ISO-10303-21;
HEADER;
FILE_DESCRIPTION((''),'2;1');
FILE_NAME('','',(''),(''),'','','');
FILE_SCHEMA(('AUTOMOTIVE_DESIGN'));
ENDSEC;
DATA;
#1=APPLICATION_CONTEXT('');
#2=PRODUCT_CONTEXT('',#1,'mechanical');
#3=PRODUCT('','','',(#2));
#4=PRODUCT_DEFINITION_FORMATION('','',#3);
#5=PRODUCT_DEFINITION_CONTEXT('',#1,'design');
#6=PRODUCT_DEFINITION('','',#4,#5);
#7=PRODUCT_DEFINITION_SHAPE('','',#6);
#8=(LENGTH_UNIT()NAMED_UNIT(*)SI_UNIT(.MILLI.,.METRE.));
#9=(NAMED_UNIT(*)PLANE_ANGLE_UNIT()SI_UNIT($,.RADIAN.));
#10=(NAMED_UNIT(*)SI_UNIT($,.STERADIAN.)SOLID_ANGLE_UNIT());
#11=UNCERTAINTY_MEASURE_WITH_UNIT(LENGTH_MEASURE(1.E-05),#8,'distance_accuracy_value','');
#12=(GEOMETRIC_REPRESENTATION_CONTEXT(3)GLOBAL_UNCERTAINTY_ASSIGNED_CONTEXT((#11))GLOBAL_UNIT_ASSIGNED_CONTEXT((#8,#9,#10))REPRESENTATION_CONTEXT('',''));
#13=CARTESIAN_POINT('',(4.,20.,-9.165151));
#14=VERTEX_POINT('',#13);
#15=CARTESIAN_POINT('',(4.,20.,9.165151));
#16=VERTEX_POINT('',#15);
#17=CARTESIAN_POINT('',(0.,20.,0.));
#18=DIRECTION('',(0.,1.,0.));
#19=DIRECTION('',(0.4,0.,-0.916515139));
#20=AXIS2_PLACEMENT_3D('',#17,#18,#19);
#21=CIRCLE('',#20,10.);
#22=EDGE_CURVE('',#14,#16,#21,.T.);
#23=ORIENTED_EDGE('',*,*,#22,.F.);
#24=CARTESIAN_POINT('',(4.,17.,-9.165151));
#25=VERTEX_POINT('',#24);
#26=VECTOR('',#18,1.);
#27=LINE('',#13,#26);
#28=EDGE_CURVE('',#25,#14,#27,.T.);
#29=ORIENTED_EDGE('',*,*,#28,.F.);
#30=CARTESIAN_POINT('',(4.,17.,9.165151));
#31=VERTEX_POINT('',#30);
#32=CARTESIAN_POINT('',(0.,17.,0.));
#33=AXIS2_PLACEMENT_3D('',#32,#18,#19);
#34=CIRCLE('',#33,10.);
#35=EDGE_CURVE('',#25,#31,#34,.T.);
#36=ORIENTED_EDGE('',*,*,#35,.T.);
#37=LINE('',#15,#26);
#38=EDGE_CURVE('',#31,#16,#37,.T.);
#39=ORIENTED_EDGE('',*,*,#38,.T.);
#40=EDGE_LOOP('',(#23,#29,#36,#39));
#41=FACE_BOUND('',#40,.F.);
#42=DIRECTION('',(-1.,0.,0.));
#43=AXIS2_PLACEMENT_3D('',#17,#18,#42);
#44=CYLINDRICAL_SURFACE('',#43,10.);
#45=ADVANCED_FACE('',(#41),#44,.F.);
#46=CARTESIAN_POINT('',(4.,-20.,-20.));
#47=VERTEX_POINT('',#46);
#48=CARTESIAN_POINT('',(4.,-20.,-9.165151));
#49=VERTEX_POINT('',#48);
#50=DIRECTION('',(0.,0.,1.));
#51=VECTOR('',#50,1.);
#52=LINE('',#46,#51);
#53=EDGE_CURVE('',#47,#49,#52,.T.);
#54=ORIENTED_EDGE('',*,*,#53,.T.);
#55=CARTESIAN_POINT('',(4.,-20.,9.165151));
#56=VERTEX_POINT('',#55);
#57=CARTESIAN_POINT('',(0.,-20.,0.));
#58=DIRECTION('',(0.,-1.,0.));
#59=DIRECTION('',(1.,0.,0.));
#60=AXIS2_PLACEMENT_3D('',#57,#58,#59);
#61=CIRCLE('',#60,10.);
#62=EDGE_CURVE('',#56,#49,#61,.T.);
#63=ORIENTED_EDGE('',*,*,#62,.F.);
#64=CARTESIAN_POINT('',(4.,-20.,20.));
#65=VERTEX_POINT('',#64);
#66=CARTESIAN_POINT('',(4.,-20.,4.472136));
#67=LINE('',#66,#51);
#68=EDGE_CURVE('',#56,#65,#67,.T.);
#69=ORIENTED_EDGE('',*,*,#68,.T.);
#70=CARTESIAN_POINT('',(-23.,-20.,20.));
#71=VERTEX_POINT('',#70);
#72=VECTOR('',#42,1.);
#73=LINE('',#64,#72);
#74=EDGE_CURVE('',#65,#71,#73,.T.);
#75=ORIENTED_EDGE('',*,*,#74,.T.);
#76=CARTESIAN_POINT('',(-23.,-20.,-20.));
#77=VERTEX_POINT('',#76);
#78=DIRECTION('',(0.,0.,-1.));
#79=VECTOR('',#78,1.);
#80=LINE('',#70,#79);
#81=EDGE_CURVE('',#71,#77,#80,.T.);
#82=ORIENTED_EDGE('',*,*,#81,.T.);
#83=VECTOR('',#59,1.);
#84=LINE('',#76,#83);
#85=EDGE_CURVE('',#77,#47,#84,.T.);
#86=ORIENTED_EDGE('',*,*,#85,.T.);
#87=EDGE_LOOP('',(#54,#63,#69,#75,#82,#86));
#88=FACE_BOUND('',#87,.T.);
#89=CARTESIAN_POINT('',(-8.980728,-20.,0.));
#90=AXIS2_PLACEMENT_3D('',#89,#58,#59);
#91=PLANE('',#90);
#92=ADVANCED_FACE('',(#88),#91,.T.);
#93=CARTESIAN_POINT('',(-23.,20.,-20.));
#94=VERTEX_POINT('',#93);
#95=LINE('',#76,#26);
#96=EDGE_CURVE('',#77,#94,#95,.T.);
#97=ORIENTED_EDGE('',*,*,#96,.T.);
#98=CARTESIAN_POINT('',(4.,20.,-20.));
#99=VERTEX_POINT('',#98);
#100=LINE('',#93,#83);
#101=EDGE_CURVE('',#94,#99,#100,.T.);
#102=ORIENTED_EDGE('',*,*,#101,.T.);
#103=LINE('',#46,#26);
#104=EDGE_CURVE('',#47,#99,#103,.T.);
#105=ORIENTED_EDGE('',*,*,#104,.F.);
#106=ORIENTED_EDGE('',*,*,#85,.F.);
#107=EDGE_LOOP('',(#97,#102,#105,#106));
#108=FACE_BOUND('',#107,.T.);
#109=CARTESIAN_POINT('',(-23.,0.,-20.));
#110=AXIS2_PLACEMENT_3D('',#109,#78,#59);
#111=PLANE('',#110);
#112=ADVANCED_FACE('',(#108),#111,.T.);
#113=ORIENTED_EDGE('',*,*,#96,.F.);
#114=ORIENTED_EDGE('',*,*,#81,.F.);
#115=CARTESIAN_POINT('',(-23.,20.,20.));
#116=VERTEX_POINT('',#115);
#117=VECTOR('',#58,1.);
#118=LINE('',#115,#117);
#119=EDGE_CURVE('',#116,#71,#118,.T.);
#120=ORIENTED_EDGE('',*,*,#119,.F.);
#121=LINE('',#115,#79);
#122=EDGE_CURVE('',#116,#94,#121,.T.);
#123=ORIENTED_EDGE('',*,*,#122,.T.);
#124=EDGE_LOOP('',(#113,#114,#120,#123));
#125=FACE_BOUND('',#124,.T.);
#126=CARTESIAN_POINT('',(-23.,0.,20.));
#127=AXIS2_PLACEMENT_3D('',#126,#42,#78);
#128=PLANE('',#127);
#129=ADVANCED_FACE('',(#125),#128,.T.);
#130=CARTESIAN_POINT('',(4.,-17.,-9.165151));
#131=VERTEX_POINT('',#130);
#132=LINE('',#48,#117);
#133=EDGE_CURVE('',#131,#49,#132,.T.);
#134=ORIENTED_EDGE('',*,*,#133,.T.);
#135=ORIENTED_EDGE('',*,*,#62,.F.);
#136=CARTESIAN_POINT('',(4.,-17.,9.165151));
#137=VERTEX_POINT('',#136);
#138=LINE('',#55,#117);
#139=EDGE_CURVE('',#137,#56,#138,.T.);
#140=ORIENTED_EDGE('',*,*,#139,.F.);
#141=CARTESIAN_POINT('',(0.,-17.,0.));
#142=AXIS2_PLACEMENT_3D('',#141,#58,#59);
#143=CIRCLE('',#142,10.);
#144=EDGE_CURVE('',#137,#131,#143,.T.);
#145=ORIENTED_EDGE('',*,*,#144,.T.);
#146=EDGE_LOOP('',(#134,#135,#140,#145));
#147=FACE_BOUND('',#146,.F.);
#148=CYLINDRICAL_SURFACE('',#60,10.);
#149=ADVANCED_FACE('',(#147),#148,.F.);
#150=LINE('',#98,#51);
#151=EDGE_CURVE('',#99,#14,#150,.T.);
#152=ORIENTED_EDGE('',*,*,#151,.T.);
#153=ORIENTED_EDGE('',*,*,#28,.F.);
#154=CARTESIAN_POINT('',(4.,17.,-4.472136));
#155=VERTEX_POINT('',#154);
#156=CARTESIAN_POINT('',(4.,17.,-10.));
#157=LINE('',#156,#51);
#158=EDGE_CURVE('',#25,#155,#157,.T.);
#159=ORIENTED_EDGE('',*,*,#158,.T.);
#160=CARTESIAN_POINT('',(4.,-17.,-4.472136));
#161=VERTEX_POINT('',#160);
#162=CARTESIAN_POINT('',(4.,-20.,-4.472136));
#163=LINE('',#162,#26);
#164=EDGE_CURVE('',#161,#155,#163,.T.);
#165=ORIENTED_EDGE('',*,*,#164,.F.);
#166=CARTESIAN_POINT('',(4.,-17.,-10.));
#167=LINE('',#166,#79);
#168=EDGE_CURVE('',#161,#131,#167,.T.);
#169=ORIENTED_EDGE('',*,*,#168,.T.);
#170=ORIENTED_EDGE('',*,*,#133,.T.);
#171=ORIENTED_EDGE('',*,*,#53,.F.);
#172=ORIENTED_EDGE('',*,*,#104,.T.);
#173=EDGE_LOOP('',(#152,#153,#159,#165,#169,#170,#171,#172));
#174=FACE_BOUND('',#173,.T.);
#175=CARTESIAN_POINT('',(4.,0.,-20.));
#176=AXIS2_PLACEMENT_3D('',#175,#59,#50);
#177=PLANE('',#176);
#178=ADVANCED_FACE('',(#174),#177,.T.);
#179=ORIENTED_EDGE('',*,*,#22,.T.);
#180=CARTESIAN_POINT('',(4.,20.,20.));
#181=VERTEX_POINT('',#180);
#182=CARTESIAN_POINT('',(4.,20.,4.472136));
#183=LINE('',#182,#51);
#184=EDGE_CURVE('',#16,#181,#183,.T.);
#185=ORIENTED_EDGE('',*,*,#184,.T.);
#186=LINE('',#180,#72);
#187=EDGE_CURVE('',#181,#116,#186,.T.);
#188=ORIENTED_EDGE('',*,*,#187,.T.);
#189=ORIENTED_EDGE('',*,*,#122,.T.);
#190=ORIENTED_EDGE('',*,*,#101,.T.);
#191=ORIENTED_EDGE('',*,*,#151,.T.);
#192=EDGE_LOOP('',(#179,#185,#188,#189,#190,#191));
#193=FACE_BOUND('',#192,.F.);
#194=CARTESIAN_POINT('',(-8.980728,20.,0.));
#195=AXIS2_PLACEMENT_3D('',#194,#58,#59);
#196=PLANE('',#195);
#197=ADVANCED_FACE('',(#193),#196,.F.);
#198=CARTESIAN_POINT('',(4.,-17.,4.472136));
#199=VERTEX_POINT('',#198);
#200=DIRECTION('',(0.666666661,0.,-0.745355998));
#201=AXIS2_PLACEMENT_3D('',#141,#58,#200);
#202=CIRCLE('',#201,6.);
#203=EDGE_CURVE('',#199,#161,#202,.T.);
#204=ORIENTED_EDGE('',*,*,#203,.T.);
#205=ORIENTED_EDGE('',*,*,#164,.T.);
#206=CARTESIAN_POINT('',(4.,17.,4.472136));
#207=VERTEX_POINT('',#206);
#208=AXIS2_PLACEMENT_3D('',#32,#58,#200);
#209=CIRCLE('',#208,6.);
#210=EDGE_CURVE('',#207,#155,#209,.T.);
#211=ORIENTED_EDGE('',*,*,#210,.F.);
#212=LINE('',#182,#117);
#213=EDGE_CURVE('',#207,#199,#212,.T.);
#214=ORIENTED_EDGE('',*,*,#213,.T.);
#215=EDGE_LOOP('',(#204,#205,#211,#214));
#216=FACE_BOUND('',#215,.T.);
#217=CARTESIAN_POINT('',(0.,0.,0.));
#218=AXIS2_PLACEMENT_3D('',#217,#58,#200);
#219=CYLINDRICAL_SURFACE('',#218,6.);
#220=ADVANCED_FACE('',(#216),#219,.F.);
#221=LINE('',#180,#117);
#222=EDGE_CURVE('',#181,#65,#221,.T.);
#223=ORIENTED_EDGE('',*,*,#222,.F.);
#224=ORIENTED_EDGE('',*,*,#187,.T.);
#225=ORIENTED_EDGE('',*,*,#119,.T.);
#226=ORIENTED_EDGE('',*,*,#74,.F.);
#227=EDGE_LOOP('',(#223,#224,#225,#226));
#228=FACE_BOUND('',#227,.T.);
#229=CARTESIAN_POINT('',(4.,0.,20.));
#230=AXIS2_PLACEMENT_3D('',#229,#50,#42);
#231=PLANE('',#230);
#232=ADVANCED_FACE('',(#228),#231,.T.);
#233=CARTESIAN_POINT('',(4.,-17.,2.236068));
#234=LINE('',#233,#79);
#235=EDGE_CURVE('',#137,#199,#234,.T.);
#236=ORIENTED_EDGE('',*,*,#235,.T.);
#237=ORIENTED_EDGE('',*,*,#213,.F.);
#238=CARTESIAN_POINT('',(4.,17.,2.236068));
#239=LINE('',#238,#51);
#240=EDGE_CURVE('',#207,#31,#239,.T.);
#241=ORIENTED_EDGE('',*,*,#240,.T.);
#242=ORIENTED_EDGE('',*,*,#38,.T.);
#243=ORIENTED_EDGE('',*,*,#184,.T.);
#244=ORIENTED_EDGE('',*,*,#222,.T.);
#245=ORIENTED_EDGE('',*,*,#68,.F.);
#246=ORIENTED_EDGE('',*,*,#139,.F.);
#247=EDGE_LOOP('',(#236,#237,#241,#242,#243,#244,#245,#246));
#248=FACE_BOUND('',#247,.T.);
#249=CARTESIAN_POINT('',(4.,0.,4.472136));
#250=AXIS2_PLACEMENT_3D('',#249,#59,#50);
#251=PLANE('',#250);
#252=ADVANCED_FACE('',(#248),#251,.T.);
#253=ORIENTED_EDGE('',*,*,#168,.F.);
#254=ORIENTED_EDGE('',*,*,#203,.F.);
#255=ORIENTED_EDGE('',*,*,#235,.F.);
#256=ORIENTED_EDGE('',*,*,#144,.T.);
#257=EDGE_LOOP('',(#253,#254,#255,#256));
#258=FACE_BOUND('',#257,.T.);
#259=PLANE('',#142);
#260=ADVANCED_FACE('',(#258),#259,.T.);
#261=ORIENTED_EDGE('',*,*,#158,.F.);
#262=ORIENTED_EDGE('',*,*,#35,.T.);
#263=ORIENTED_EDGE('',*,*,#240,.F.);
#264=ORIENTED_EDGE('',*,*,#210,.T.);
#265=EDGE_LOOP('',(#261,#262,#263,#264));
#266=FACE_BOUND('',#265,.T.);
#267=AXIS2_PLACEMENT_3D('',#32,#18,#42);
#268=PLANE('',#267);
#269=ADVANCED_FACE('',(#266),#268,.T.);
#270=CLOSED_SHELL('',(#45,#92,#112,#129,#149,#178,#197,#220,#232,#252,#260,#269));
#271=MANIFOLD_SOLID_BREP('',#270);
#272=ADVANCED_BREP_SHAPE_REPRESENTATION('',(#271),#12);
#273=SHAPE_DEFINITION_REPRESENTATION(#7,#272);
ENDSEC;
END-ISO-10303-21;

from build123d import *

# Parameters (mm, degrees)
F1_DEPTH      = 20
F1_DEPTH_BACK = 20
F2_R          = 10
F3_DEPTH      = 3
F4_R          = 10
F5_DEPTH      = 3


with BuildPart() as f1:
    # F0 (on Front) → F1 (new body, two sides)
    with BuildSketch(Plane.XZ) as f1_sk:
        with BuildLine():
            ThreePointArc((4, -4.472136), (-6, 0), (4, 4.472136))
            Line((4, 4.472136), (4, 20))
            Line((4, 20), (-23, 20))
            Line((-23, 20), (-23, -20))
            Line((-23, -20), (4, -20))
            Line((4, -20), (4, -4.472136))
        make_face()
    extrude(amount=F1_DEPTH)
    extrude(f1_sk.sketch, amount=-F1_DEPTH_BACK)

    # F2 (on face) → F3 (cut)
    with BuildSketch(Plane(origin=(0, 20, 0), x_dir=(-1, 0, 0), z_dir=(0, 1, 0))):
        Circle(F2_R)
    extrude(amount=-F3_DEPTH, mode=Mode.SUBTRACT)

    # F4 (on face) → F5 (cut)
    with BuildSketch(Plane.XZ.offset(20)):
        Circle(F4_R)
    extrude(amount=-F5_DEPTH, mode=Mode.SUBTRACT)


solid = f1.part
